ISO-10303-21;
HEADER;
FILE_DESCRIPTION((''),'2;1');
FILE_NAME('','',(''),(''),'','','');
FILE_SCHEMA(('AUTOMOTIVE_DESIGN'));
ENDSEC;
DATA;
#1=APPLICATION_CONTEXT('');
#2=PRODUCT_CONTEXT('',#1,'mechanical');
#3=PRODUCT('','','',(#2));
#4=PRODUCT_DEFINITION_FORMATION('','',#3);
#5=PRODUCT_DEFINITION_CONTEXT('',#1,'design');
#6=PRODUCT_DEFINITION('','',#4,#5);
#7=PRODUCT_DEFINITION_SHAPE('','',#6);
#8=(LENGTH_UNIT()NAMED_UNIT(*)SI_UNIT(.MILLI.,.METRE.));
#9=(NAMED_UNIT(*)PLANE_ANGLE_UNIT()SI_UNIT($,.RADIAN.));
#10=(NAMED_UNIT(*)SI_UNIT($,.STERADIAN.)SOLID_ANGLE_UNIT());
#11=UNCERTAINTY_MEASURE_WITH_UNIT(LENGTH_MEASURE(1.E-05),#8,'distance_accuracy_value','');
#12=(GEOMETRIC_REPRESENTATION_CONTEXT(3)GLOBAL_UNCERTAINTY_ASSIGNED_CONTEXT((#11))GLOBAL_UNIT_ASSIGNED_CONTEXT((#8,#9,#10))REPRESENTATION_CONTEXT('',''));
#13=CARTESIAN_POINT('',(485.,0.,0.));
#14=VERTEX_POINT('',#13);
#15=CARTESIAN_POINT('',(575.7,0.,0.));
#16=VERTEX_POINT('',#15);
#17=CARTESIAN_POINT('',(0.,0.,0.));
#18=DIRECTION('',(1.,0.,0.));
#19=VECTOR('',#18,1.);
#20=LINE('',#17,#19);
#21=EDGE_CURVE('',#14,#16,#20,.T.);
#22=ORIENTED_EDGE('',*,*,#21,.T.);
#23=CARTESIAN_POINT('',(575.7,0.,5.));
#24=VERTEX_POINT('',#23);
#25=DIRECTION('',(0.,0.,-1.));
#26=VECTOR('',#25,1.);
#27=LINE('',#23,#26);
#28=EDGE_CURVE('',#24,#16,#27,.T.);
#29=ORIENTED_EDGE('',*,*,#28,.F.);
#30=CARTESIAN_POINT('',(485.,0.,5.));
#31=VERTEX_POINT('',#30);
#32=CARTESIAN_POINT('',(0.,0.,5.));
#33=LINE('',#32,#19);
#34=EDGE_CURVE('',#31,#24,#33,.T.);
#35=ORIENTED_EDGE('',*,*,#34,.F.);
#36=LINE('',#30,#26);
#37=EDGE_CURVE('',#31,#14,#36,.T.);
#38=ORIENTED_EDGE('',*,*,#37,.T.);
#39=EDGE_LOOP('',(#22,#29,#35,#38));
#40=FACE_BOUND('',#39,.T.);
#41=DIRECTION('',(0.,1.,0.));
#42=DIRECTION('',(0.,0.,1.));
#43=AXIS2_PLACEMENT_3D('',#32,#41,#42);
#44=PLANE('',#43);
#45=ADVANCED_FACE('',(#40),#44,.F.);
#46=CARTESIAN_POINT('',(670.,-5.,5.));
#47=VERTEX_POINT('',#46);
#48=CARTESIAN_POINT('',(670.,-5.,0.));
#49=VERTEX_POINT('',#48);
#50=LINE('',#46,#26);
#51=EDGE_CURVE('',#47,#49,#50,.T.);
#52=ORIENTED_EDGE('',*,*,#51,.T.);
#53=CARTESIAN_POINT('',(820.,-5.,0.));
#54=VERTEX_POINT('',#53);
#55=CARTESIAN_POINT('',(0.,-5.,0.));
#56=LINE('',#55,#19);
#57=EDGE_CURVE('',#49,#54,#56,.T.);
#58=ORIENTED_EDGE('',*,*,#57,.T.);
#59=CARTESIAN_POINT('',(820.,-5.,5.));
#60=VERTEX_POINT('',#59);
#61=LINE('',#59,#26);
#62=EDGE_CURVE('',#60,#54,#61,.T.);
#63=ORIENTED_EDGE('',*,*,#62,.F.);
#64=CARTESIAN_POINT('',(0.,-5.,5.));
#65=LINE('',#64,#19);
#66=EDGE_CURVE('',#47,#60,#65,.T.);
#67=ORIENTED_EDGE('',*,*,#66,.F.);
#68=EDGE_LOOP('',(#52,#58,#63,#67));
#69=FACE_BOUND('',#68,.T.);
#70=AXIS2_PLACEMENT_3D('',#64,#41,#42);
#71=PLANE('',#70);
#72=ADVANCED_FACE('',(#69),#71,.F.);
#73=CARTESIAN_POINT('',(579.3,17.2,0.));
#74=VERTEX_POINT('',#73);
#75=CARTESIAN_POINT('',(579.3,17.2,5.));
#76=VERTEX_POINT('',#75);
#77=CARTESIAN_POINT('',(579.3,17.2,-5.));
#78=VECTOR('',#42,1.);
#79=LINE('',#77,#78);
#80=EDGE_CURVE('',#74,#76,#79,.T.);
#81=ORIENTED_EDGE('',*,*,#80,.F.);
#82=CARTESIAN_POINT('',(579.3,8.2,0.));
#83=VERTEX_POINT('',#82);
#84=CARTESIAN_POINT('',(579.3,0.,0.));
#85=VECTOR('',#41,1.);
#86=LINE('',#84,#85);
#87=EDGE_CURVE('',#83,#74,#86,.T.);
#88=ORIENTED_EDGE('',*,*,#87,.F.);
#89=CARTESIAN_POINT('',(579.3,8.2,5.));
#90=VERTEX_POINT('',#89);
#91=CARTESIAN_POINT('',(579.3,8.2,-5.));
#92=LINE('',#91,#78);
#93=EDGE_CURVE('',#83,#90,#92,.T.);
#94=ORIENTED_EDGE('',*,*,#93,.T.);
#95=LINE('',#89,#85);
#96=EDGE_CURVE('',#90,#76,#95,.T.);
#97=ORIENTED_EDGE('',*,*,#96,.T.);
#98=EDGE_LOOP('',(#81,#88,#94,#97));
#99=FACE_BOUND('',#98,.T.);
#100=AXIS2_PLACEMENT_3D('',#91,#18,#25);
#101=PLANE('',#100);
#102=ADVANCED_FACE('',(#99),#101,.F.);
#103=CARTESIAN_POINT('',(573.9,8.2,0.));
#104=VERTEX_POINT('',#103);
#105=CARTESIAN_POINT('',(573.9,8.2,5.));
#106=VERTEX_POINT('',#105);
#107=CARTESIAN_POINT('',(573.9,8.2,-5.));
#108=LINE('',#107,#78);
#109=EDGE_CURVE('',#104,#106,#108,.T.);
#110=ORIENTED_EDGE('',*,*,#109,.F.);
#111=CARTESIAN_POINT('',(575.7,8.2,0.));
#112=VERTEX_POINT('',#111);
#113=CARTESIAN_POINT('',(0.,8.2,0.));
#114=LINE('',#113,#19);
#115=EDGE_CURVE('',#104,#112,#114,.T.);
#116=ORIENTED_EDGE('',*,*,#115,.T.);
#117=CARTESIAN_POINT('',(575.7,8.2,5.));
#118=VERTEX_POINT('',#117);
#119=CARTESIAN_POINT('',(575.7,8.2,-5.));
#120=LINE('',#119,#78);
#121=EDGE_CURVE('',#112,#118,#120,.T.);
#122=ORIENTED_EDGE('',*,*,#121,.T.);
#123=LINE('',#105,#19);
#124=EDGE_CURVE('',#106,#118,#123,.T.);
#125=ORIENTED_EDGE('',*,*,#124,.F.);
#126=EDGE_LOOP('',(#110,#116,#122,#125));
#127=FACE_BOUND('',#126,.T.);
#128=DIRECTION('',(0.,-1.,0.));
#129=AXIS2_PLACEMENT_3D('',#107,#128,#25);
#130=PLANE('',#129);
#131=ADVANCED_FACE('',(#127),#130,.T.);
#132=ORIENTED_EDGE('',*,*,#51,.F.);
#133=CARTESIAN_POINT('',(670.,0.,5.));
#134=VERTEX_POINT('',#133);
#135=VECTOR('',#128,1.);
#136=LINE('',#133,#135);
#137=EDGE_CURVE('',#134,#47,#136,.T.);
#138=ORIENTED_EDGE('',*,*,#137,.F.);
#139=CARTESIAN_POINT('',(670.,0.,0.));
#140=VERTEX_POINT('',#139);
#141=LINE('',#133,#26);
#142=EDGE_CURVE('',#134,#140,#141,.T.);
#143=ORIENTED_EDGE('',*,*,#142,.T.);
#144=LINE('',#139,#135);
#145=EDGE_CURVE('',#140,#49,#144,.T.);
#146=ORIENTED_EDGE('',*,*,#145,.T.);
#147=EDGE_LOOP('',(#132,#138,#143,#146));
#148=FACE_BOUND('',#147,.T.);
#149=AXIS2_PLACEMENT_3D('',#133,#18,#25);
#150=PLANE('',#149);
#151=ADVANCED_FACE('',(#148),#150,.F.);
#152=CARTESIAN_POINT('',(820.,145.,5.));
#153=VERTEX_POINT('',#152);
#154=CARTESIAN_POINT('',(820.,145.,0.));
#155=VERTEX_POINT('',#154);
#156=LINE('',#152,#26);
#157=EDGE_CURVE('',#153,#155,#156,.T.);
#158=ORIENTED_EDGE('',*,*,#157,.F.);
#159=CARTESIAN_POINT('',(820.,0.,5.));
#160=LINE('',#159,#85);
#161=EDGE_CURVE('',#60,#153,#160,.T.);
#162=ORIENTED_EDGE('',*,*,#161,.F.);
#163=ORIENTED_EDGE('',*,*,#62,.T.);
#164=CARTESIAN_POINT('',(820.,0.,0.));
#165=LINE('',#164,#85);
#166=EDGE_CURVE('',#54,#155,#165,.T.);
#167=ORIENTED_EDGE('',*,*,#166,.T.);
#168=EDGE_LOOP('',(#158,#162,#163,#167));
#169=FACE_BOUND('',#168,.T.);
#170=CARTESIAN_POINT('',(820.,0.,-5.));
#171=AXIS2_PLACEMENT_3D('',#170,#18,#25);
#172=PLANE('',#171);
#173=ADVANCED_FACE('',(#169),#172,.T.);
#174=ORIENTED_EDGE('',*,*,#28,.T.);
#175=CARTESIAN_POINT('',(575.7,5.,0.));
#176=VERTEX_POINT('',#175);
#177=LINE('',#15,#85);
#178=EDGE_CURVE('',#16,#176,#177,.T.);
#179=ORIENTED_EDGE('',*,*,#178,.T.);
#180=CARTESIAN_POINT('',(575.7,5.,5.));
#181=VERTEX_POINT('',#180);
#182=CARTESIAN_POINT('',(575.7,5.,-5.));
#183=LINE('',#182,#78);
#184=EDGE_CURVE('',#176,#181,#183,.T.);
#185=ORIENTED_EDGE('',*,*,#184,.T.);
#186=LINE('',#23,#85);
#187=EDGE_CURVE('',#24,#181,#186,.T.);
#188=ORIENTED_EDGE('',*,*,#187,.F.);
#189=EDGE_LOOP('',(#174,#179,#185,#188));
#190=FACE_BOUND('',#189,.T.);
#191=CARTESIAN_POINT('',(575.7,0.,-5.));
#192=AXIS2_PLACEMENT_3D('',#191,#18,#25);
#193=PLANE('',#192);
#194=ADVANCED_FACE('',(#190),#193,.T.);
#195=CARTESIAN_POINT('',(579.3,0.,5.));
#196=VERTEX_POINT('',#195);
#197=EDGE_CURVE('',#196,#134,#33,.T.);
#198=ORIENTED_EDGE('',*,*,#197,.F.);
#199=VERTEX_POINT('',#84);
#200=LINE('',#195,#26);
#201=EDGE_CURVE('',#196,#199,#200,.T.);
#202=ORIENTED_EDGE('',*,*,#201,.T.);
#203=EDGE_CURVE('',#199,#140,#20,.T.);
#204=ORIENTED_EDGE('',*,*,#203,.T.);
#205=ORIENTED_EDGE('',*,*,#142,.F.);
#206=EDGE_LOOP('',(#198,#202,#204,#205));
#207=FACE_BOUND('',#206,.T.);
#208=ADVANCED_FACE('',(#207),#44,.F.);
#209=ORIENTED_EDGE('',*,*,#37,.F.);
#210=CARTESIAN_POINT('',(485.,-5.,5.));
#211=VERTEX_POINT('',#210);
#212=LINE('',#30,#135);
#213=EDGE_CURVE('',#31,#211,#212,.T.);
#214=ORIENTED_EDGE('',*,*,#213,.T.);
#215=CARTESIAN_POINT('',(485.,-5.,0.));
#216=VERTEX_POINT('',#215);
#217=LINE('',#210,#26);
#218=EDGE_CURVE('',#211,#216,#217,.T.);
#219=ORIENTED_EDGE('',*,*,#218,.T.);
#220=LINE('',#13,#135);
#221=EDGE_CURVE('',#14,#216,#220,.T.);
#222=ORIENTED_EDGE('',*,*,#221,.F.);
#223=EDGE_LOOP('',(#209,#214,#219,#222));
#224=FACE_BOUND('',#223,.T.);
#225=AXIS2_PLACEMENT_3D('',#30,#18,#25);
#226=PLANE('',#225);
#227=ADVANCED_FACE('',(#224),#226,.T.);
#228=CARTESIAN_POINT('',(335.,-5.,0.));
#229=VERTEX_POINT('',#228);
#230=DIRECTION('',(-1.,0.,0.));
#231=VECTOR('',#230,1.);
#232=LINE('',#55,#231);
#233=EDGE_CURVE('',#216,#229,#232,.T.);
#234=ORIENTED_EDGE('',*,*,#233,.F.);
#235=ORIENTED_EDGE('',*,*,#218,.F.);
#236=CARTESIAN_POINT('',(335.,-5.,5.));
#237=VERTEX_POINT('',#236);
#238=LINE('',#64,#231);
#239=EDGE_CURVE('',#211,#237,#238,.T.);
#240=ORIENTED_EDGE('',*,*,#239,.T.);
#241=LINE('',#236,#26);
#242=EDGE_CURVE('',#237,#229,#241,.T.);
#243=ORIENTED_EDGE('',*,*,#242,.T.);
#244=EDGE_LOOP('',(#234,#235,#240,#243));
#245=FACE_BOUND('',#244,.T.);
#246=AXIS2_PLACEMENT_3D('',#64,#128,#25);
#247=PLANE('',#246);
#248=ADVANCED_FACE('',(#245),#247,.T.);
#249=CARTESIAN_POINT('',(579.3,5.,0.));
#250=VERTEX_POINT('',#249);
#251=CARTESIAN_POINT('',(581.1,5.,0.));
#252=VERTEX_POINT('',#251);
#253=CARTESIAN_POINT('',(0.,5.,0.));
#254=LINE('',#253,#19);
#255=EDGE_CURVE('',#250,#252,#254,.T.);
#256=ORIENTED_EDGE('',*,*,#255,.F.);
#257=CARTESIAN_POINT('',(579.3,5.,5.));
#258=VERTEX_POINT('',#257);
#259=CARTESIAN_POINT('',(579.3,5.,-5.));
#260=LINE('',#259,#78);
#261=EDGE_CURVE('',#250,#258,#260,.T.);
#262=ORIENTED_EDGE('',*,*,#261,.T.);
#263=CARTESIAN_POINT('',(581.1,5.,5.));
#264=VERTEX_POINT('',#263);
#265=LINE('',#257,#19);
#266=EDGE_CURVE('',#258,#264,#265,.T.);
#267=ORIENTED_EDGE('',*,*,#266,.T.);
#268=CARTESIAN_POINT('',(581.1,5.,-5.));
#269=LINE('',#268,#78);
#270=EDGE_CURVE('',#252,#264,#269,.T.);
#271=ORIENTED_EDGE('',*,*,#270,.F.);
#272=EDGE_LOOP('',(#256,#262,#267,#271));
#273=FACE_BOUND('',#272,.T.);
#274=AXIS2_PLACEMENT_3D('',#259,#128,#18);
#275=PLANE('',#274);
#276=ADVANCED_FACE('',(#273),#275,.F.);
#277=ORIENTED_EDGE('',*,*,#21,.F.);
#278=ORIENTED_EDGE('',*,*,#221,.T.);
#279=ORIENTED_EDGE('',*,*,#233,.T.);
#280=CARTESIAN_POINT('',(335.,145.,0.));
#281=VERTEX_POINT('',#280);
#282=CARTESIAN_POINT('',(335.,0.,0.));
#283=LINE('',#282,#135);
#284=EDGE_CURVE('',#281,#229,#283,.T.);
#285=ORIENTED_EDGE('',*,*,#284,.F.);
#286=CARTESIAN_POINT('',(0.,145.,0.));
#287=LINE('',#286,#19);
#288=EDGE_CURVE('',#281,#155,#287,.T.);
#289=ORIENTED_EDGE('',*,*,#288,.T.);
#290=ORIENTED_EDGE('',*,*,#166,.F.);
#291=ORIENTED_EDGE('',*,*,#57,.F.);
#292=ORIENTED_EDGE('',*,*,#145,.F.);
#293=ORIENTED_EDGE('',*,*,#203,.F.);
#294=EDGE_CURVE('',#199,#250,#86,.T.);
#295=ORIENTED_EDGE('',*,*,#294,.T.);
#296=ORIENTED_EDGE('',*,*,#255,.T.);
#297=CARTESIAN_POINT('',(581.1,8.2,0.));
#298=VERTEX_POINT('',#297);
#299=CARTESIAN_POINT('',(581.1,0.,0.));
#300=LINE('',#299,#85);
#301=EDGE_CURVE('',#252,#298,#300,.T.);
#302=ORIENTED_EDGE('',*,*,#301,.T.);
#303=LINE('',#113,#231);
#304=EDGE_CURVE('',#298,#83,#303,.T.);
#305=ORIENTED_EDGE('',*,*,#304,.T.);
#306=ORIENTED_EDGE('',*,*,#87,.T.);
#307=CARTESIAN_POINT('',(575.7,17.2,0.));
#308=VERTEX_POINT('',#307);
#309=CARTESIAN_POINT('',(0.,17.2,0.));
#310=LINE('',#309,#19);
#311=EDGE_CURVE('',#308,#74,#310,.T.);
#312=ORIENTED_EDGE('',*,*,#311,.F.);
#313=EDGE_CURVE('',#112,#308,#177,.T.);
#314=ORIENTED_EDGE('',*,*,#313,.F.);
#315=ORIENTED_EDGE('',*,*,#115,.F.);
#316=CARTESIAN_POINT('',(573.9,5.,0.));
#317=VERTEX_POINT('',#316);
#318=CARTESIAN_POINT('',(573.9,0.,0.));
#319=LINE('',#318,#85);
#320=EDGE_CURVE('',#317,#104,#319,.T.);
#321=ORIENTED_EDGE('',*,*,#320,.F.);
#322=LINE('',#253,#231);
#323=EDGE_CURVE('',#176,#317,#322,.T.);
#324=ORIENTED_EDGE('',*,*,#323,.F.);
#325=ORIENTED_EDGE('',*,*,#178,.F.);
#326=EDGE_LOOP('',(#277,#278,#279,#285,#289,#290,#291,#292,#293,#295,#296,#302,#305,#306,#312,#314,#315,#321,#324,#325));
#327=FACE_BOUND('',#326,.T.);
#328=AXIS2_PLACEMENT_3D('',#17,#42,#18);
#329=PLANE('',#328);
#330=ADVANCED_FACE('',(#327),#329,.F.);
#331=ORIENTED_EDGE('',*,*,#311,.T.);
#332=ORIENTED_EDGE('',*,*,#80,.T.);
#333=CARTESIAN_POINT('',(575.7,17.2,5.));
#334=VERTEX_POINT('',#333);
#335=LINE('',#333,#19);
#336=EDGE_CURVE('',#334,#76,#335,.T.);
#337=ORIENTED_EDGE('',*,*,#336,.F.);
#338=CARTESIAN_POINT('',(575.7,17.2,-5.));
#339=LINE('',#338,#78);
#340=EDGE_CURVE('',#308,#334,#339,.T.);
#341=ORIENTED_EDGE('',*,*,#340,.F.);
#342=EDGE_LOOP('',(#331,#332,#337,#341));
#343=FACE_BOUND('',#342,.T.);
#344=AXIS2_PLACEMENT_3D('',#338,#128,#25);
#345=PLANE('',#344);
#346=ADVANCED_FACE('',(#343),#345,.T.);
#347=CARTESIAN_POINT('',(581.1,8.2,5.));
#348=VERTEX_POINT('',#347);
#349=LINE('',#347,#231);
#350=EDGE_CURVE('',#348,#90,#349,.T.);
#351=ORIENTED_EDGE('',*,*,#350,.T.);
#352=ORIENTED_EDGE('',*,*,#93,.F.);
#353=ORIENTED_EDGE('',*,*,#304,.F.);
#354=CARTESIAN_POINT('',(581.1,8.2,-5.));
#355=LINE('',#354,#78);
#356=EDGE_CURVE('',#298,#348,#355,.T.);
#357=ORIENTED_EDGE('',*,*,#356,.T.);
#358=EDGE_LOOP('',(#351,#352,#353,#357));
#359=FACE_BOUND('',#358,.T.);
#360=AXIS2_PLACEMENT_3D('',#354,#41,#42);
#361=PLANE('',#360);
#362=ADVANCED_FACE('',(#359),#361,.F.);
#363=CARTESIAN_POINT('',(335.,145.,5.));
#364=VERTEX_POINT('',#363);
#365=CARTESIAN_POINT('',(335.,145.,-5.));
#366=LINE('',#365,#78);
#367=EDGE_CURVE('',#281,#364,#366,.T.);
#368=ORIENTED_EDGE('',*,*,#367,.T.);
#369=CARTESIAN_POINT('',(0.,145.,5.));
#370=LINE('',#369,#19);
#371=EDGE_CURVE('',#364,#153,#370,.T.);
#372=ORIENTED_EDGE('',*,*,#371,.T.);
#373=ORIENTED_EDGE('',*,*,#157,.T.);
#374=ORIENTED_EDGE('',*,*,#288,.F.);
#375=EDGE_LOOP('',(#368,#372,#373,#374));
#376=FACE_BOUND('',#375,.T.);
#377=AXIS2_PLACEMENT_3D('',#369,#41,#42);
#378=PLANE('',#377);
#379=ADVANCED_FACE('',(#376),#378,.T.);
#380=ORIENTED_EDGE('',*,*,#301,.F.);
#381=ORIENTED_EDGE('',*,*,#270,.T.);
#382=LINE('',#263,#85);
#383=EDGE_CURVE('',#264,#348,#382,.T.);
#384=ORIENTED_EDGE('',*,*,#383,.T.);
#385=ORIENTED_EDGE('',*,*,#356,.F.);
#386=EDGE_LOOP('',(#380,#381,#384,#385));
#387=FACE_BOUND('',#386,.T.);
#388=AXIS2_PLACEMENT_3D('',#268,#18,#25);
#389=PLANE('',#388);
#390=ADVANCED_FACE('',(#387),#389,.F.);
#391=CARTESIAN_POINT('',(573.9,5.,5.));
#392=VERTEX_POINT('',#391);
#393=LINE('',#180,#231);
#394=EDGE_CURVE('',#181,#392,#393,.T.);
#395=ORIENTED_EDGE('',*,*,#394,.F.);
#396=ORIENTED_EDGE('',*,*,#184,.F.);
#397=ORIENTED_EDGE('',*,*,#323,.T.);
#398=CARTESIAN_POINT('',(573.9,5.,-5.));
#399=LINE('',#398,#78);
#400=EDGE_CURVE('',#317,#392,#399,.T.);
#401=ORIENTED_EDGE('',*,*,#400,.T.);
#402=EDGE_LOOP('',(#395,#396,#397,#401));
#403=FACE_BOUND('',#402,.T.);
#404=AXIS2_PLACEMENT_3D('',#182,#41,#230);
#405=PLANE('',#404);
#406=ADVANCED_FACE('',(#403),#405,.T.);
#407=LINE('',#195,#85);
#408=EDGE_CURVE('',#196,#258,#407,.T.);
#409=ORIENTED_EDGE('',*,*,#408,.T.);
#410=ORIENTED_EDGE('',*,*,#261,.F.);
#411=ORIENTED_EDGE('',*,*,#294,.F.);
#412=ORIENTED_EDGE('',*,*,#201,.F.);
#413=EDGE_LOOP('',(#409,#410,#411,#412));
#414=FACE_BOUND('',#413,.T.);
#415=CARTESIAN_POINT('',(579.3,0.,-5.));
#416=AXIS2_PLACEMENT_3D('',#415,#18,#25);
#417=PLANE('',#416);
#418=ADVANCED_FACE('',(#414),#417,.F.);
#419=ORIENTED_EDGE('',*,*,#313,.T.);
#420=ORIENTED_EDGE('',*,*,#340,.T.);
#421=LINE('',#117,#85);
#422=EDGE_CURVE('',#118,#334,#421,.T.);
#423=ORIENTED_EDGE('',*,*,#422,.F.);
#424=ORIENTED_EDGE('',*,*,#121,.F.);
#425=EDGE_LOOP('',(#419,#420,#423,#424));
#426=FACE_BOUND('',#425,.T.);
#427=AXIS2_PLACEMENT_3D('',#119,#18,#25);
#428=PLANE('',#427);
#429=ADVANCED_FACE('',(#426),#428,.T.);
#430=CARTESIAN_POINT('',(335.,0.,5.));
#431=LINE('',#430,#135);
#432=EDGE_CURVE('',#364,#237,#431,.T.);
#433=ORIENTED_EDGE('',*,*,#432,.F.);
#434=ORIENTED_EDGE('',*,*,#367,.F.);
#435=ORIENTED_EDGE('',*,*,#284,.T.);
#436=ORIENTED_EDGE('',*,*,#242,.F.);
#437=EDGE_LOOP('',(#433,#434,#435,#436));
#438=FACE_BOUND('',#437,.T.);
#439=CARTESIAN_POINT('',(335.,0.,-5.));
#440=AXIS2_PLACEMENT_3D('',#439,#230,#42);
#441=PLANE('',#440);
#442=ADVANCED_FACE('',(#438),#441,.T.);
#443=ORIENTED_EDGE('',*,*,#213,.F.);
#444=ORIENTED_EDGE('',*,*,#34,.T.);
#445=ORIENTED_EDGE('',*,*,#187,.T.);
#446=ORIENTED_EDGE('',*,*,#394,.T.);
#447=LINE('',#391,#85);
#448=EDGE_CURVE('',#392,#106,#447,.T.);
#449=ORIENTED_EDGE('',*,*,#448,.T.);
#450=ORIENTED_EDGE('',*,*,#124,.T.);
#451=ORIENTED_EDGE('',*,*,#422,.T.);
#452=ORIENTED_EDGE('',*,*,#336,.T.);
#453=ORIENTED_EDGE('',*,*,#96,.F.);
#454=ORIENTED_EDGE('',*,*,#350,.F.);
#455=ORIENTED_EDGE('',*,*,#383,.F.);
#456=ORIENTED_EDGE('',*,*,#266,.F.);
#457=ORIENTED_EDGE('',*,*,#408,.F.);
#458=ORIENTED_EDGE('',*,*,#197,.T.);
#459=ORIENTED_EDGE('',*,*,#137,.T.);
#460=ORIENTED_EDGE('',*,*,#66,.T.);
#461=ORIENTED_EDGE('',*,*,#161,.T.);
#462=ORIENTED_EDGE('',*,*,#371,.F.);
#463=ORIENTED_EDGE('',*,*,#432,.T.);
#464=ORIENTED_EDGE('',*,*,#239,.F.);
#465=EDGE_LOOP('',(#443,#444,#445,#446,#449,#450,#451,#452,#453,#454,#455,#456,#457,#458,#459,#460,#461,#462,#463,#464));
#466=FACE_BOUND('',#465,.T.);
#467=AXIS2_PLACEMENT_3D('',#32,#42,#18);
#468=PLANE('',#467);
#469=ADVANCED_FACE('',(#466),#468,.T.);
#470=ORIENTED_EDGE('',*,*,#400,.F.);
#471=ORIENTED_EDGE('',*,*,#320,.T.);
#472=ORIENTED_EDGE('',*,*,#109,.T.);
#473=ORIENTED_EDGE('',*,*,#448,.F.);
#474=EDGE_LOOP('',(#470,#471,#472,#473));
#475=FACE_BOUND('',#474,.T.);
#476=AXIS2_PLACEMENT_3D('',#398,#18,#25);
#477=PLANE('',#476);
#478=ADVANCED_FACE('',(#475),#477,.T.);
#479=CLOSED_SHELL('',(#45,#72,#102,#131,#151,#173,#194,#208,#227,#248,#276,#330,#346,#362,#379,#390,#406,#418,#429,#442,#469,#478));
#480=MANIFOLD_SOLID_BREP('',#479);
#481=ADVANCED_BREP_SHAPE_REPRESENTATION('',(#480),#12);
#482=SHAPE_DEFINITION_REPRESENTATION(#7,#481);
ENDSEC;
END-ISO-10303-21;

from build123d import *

# Parameters (mm, degrees)
SALIENTE_EXTRUIR1_DEPTH = 5
CROQUIS2_W              = 5
CROQUIS2_H              = 35
CORTAR_EXTRUIR1_DEPTH   = 5
CORTAR_EXTRUIR2_DEPTH   = 10
CORTAR_EXTRUIR3_DEPTH   = 10


with BuildPart() as part:
    # Croquis1 → Saliente-Extruir1 (new body)
    with BuildSketch(Plane.XY):
        Polygon((0, 145), (0, 0), (183.734642654, 0), (185, 0), (185, -5), (485, -5), (485, 0), (670, 0), (670, -5), (970, -5), (970, 0), (1155, 0), (1155, -5), (1455, -5), (1455, 0), (1640, 0), (1640, 145), align=None)
    extrude(amount=SALIENTE_EXTRUIR1_DEPTH)

    # Croquis2 → Cortar-Extruir1 (cut)
    with BuildSketch(Plane.XY.offset(5)):
        with Locations((1637.5, 108.75)):
            Rectangle(CROQUIS2_W, CROQUIS2_H)
        with Locations((1637.5, 36.25)):
            Rectangle(CROQUIS2_W, CROQUIS2_H)
        with Locations((2.5, 36.25)):
            Rectangle(CROQUIS2_W, CROQUIS2_H)
        with Locations((2.5, 108.75)):
            Rectangle(CROQUIS2_W, CROQUIS2_H)
    extrude(amount=-CORTAR_EXTRUIR1_DEPTH, mode=Mode.SUBTRACT)

    # Croquis3 → Cortar-Extruir2 (cut)
    with BuildSketch(Plane.XY.offset(5)):
        Polygon((579.3, 0), (575.7, 0), (575.7, 5), (573.9, 5), (573.9, 8.2), (575.7, 8.2), (575.7, 17.2), (579.3, 17.2), (579.3, 8.2), (581.1, 8.2), (581.1, 5), (579.3, 5), align=None)
        Polygon((1064.3, 8.2), (1064.3, 17.2), (1060.7, 17.2), (1060.7, 8.2), (1058.9, 8.2), (1058.9, 5), (1060.7, 5), (1060.7, 0), (1064.3, 0), (1064.3, 5), (1066.1, 5), (1066.1, 8.2), align=None)
    extrude(amount=-CORTAR_EXTRUIR2_DEPTH, mode=Mode.SUBTRACT)

    # Croquis4 → Cortar-Extruir3 (cut)
    with BuildSketch(Plane.XY.offset(5)):
        Polygon((820, -135.215134583), (820, -5), (820, 145), (1680.90531261, 145), (1680.90531261, -135.215134583), align=None)
        Polygon((-54.126179429, 245.627194546), (335, 145), (335, -5), (335, -117.531617176), (-54.126179429, -117.531617176), align=None)
    extrude(amount=-CORTAR_EXTRUIR3_DEPTH, mode=Mode.SUBTRACT)


solid = part.part
